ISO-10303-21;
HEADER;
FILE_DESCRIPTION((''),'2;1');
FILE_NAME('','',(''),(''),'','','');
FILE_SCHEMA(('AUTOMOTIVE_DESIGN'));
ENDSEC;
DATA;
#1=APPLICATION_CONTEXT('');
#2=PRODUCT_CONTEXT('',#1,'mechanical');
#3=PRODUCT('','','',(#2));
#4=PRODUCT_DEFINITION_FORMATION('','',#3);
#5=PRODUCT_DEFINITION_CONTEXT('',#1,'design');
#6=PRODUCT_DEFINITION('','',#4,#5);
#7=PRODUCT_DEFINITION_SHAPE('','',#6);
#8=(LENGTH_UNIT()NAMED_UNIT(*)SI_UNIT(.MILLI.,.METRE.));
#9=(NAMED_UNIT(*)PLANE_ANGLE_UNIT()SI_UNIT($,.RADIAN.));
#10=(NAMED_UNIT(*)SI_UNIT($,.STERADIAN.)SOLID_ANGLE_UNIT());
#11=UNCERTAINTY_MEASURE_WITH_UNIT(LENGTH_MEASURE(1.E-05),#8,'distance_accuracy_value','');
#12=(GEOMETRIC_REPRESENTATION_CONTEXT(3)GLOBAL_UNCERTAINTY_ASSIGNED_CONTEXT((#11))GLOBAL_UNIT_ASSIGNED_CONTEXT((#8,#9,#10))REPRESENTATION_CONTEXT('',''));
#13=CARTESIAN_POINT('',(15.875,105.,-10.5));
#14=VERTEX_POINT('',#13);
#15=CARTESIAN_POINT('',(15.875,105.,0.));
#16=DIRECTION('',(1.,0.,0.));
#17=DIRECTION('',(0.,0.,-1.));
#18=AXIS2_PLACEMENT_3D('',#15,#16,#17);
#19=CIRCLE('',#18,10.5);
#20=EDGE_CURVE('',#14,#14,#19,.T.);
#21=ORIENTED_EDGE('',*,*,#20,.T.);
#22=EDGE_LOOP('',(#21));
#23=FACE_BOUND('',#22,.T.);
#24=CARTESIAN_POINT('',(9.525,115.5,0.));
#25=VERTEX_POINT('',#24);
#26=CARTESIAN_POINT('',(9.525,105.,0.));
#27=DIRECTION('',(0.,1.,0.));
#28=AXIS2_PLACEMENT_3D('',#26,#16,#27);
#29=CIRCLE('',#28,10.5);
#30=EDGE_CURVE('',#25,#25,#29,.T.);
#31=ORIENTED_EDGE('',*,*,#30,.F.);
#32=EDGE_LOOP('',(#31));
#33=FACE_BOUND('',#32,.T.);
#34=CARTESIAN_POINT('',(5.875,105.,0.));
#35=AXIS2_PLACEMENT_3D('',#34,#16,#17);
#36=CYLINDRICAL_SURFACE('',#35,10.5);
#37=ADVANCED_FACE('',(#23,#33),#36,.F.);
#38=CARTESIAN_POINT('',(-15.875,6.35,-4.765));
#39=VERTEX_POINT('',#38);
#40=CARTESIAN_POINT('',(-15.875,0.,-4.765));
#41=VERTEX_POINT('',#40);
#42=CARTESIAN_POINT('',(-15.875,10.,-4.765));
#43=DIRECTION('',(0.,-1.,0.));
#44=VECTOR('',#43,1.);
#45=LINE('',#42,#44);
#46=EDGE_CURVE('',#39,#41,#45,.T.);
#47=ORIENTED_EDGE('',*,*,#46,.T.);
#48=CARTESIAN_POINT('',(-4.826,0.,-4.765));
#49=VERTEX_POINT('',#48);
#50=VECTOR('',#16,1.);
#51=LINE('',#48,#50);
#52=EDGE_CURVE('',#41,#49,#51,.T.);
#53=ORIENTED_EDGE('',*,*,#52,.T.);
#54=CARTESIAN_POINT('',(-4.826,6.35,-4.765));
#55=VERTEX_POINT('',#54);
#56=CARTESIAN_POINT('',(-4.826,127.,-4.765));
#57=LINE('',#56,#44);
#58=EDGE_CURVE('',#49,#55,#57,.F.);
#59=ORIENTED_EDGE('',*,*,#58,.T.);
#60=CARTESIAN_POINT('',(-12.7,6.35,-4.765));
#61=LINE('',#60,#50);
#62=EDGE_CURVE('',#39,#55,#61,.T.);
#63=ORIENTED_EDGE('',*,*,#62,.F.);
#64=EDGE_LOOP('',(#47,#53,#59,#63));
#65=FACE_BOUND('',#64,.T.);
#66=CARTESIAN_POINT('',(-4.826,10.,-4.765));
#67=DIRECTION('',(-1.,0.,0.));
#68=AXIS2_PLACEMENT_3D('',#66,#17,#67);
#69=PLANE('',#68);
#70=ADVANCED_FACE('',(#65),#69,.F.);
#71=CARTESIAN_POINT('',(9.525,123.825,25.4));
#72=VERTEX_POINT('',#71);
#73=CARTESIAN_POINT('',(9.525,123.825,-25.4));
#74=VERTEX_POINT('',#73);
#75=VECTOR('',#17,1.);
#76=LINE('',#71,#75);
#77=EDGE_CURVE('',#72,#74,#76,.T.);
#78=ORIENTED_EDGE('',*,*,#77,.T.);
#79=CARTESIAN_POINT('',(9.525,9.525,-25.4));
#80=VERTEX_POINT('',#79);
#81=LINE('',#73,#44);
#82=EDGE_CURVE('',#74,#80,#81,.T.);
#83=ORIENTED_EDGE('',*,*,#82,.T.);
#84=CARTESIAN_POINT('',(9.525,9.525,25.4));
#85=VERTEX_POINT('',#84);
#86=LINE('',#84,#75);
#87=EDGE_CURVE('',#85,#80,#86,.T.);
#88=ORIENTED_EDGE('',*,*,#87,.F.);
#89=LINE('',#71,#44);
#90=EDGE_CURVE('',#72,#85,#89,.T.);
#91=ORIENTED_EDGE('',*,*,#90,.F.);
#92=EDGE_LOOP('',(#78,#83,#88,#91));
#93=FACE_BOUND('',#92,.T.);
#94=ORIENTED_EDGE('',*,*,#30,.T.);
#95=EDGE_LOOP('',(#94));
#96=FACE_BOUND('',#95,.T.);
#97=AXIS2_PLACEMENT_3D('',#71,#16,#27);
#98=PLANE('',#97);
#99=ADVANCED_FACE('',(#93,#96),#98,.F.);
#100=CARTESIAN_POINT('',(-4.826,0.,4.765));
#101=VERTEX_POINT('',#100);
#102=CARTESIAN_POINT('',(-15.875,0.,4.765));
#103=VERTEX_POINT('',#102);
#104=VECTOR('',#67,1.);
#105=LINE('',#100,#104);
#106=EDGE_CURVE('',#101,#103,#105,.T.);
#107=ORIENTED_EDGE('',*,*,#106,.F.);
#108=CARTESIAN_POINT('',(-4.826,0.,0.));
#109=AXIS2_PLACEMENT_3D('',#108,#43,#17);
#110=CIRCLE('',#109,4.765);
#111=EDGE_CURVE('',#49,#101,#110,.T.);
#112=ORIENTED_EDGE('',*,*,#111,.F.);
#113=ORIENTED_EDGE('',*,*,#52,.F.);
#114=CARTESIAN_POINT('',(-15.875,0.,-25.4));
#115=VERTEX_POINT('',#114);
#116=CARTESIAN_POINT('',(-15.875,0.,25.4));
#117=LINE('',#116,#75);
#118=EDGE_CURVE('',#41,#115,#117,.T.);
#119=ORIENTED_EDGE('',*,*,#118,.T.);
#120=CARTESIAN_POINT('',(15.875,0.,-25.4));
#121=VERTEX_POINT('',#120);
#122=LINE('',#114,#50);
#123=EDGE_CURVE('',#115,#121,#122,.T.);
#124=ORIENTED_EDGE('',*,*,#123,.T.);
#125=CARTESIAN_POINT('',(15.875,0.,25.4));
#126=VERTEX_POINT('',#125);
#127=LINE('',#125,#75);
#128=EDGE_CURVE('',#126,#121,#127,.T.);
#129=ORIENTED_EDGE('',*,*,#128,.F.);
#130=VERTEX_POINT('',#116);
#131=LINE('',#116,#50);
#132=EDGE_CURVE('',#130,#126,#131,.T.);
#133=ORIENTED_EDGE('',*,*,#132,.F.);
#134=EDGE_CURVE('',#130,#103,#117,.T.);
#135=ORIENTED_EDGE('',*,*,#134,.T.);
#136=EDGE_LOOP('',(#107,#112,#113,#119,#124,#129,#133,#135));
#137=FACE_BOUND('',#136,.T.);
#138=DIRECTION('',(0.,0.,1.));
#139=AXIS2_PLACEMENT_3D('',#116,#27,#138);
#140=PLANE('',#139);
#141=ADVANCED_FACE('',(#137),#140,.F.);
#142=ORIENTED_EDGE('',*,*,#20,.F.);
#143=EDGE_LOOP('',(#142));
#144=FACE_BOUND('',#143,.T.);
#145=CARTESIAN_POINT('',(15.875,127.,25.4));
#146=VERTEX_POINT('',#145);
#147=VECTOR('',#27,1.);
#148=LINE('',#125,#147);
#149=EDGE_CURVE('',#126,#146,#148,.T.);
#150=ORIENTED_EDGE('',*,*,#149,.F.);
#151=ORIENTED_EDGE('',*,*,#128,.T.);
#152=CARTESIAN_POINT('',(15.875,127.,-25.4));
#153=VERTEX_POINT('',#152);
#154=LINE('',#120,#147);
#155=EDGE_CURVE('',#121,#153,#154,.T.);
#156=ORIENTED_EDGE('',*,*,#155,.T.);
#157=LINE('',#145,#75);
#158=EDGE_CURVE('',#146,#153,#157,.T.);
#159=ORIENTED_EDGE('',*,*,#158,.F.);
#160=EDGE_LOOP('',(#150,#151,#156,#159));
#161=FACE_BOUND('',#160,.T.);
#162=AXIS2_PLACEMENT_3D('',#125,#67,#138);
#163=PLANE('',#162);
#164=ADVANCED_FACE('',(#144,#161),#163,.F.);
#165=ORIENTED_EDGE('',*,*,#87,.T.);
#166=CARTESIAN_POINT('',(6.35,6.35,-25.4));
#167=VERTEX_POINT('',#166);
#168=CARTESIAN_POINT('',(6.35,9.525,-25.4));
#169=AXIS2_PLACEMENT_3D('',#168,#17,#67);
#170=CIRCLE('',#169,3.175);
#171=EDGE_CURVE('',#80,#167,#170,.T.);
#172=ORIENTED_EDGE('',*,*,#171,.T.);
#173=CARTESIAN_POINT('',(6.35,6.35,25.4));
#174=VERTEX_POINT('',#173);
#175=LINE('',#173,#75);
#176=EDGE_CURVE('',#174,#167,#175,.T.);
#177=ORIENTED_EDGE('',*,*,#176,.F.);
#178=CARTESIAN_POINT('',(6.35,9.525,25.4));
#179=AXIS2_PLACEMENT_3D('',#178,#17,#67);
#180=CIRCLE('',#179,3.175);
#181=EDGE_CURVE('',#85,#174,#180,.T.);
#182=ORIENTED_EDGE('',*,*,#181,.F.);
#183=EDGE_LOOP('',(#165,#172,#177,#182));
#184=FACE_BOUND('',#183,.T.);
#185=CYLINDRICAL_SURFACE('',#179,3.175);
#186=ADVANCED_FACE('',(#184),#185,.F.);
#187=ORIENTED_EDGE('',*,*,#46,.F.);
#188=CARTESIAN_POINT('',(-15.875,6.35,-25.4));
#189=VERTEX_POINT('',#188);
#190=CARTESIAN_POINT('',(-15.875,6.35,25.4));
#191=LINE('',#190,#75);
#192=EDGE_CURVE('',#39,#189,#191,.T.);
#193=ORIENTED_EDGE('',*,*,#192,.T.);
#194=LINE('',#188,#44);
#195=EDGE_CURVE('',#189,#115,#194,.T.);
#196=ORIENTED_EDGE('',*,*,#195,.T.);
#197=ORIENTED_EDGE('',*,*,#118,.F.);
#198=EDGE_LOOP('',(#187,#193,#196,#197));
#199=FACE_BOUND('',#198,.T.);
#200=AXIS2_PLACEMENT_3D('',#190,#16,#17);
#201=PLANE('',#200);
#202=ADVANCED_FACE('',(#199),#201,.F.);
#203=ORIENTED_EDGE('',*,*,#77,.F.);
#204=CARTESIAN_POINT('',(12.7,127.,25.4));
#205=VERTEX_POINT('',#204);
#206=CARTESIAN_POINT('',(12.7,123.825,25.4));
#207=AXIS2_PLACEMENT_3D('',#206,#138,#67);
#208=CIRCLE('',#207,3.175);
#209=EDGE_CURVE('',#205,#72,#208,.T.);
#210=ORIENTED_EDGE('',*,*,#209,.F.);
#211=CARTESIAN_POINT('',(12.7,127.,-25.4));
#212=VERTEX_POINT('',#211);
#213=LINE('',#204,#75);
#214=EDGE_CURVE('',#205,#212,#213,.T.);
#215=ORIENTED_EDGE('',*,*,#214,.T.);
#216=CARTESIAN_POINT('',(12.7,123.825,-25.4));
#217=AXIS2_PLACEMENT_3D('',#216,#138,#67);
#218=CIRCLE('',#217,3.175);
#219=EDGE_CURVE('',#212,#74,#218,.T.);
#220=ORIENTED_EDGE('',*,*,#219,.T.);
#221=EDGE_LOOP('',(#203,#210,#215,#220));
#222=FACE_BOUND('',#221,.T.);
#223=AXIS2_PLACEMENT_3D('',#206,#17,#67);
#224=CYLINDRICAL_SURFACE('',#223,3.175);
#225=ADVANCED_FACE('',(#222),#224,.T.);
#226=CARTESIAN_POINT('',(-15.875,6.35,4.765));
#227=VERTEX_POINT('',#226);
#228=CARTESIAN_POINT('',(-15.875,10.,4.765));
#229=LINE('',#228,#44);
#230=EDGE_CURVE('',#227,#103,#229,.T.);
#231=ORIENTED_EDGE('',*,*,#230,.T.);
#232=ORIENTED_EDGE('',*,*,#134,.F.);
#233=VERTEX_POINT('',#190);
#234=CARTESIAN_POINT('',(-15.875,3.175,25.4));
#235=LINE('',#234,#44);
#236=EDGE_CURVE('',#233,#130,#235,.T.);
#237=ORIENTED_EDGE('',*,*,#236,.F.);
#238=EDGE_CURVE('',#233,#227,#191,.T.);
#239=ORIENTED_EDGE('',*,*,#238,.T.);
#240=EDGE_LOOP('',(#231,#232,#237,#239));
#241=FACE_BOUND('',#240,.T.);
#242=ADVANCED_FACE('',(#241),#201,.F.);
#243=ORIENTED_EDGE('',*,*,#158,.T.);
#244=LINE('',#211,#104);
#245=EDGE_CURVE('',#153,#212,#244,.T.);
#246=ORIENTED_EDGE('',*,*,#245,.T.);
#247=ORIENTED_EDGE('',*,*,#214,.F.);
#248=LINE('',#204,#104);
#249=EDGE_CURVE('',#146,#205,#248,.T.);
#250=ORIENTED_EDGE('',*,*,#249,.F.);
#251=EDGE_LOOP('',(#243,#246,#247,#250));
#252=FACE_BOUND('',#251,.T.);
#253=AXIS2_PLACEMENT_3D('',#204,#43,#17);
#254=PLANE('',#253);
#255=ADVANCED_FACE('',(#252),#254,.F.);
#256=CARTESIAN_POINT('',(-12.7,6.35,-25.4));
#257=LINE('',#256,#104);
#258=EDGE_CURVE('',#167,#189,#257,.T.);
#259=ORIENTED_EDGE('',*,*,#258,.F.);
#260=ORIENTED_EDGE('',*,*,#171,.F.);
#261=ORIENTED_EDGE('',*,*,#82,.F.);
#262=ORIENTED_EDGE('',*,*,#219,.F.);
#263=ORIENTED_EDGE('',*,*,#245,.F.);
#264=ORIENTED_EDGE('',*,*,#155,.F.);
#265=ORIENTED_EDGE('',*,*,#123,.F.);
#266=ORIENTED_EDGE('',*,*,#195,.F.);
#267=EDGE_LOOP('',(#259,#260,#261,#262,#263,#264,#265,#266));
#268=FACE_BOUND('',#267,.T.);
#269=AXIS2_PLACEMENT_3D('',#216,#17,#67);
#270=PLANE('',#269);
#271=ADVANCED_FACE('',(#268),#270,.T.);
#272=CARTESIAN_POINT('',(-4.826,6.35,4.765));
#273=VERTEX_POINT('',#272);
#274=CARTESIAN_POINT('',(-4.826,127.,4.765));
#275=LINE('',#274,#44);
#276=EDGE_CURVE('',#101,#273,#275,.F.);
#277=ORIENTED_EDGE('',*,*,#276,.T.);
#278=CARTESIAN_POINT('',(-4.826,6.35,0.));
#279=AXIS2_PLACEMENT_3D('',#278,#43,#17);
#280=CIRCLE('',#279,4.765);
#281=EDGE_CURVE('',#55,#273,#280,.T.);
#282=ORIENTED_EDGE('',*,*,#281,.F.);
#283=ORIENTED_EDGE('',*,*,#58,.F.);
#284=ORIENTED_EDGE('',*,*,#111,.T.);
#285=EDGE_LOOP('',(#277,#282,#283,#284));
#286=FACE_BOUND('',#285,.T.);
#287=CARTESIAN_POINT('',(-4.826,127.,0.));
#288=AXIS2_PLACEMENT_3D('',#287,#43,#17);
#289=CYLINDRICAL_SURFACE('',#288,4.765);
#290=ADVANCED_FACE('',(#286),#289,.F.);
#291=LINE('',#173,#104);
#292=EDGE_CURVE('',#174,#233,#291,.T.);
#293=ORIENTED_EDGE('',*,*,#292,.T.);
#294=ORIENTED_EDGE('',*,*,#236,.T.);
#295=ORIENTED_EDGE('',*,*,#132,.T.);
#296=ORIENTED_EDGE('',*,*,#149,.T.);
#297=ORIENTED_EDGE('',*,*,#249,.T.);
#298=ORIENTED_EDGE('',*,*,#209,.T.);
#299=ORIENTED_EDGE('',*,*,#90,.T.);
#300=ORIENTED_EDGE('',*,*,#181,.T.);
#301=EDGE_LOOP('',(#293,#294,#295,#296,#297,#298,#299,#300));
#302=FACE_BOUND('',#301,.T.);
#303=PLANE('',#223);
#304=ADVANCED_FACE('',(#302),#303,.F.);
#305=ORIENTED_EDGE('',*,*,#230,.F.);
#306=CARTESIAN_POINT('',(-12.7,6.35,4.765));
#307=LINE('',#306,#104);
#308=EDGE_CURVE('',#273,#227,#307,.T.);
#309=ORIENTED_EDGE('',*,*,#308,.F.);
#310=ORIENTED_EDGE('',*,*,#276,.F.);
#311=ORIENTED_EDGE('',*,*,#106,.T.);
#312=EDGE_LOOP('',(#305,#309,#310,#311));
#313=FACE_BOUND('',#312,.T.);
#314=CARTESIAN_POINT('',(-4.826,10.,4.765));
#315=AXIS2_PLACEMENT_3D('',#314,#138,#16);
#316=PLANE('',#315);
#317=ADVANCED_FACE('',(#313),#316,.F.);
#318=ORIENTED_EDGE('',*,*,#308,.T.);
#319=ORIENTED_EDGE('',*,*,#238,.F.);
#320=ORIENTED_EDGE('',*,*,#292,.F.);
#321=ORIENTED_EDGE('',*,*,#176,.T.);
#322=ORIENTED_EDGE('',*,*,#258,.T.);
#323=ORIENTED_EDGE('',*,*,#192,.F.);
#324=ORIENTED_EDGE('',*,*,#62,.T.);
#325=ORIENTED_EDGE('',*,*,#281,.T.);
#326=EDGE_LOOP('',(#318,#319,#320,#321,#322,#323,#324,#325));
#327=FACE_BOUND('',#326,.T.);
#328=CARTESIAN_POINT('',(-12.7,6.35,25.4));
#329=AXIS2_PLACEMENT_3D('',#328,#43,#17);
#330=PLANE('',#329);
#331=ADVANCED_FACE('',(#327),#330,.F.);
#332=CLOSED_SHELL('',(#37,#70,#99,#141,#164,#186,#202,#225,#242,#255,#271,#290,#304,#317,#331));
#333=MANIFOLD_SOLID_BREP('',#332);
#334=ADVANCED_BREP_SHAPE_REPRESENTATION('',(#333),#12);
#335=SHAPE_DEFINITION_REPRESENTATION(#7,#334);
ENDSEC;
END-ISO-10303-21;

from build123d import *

# Parameters (mm, degrees)
BOSS_EXTRUDE1_DEPTH = 25.4
SKETCH3_R           = 4.765
CUT_EXTRUDE1_DEPTH  = 128
SKETCH5_R           = 10.5
CUT_EXTRUDE2_DEPTH  = 10
SKETCH6_W           = 11.049
SKETCH6_H           = 9.53
CUT_EXTRUDE3_DEPTH  = 10


with BuildPart() as part:
    # Sketch2 → Boss-Extrude1 (new body, symmetric)
    with BuildSketch(Plane.XY):
        with BuildLine():
            Line((-15.875, 0), (15.875, 0))
            Line((15.875, 0), (15.875, 127))
            Line((15.875, 127), (12.7, 127))
            ThreePointArc((12.7, 127), (10.45493597, 126.07006403), (9.525, 123.825))
            Line((9.525, 123.825), (9.525, 9.525))
            ThreePointArc((9.525, 9.525), (8.59506403, 7.27993597), (6.35, 6.35))
            Line((6.35, 6.35), (-12.7, 6.35))
            Line((-12.7, 6.35), (-15.875, 6.35))
            Line((-15.875, 6.35), (-15.875, 3.175))
            Line((-15.875, 3.175), (-15.875, 0))
        make_face()
    extrude(amount=BOSS_EXTRUDE1_DEPTH, both=True)

    # Sketch3 → Cut-Extrude1 (cut, through all)
    with BuildSketch(Plane.XZ):
        with Locations((-4.826, 0)):
            Circle(SKETCH3_R)
    extrude(amount=-CUT_EXTRUDE1_DEPTH, mode=Mode.SUBTRACT)

    # Sketch5 → Cut-Extrude2 (cut)
    with BuildSketch(Plane(origin=(15.875, 0, 0), x_dir=(0, 0, -1), z_dir=(1, 0, 0))):
        with Locations((0, 105)):
            Circle(SKETCH5_R)
    extrude(amount=-CUT_EXTRUDE2_DEPTH, mode=Mode.SUBTRACT)

    # Sketch6 → Cut-Extrude3 (cut)
    with BuildSketch(Plane.XZ):
        with Locations((-10.3505, 0)):
            Rectangle(SKETCH6_W, SKETCH6_H)
    extrude(amount=-CUT_EXTRUDE3_DEPTH, mode=Mode.SUBTRACT)


solid = part.part
